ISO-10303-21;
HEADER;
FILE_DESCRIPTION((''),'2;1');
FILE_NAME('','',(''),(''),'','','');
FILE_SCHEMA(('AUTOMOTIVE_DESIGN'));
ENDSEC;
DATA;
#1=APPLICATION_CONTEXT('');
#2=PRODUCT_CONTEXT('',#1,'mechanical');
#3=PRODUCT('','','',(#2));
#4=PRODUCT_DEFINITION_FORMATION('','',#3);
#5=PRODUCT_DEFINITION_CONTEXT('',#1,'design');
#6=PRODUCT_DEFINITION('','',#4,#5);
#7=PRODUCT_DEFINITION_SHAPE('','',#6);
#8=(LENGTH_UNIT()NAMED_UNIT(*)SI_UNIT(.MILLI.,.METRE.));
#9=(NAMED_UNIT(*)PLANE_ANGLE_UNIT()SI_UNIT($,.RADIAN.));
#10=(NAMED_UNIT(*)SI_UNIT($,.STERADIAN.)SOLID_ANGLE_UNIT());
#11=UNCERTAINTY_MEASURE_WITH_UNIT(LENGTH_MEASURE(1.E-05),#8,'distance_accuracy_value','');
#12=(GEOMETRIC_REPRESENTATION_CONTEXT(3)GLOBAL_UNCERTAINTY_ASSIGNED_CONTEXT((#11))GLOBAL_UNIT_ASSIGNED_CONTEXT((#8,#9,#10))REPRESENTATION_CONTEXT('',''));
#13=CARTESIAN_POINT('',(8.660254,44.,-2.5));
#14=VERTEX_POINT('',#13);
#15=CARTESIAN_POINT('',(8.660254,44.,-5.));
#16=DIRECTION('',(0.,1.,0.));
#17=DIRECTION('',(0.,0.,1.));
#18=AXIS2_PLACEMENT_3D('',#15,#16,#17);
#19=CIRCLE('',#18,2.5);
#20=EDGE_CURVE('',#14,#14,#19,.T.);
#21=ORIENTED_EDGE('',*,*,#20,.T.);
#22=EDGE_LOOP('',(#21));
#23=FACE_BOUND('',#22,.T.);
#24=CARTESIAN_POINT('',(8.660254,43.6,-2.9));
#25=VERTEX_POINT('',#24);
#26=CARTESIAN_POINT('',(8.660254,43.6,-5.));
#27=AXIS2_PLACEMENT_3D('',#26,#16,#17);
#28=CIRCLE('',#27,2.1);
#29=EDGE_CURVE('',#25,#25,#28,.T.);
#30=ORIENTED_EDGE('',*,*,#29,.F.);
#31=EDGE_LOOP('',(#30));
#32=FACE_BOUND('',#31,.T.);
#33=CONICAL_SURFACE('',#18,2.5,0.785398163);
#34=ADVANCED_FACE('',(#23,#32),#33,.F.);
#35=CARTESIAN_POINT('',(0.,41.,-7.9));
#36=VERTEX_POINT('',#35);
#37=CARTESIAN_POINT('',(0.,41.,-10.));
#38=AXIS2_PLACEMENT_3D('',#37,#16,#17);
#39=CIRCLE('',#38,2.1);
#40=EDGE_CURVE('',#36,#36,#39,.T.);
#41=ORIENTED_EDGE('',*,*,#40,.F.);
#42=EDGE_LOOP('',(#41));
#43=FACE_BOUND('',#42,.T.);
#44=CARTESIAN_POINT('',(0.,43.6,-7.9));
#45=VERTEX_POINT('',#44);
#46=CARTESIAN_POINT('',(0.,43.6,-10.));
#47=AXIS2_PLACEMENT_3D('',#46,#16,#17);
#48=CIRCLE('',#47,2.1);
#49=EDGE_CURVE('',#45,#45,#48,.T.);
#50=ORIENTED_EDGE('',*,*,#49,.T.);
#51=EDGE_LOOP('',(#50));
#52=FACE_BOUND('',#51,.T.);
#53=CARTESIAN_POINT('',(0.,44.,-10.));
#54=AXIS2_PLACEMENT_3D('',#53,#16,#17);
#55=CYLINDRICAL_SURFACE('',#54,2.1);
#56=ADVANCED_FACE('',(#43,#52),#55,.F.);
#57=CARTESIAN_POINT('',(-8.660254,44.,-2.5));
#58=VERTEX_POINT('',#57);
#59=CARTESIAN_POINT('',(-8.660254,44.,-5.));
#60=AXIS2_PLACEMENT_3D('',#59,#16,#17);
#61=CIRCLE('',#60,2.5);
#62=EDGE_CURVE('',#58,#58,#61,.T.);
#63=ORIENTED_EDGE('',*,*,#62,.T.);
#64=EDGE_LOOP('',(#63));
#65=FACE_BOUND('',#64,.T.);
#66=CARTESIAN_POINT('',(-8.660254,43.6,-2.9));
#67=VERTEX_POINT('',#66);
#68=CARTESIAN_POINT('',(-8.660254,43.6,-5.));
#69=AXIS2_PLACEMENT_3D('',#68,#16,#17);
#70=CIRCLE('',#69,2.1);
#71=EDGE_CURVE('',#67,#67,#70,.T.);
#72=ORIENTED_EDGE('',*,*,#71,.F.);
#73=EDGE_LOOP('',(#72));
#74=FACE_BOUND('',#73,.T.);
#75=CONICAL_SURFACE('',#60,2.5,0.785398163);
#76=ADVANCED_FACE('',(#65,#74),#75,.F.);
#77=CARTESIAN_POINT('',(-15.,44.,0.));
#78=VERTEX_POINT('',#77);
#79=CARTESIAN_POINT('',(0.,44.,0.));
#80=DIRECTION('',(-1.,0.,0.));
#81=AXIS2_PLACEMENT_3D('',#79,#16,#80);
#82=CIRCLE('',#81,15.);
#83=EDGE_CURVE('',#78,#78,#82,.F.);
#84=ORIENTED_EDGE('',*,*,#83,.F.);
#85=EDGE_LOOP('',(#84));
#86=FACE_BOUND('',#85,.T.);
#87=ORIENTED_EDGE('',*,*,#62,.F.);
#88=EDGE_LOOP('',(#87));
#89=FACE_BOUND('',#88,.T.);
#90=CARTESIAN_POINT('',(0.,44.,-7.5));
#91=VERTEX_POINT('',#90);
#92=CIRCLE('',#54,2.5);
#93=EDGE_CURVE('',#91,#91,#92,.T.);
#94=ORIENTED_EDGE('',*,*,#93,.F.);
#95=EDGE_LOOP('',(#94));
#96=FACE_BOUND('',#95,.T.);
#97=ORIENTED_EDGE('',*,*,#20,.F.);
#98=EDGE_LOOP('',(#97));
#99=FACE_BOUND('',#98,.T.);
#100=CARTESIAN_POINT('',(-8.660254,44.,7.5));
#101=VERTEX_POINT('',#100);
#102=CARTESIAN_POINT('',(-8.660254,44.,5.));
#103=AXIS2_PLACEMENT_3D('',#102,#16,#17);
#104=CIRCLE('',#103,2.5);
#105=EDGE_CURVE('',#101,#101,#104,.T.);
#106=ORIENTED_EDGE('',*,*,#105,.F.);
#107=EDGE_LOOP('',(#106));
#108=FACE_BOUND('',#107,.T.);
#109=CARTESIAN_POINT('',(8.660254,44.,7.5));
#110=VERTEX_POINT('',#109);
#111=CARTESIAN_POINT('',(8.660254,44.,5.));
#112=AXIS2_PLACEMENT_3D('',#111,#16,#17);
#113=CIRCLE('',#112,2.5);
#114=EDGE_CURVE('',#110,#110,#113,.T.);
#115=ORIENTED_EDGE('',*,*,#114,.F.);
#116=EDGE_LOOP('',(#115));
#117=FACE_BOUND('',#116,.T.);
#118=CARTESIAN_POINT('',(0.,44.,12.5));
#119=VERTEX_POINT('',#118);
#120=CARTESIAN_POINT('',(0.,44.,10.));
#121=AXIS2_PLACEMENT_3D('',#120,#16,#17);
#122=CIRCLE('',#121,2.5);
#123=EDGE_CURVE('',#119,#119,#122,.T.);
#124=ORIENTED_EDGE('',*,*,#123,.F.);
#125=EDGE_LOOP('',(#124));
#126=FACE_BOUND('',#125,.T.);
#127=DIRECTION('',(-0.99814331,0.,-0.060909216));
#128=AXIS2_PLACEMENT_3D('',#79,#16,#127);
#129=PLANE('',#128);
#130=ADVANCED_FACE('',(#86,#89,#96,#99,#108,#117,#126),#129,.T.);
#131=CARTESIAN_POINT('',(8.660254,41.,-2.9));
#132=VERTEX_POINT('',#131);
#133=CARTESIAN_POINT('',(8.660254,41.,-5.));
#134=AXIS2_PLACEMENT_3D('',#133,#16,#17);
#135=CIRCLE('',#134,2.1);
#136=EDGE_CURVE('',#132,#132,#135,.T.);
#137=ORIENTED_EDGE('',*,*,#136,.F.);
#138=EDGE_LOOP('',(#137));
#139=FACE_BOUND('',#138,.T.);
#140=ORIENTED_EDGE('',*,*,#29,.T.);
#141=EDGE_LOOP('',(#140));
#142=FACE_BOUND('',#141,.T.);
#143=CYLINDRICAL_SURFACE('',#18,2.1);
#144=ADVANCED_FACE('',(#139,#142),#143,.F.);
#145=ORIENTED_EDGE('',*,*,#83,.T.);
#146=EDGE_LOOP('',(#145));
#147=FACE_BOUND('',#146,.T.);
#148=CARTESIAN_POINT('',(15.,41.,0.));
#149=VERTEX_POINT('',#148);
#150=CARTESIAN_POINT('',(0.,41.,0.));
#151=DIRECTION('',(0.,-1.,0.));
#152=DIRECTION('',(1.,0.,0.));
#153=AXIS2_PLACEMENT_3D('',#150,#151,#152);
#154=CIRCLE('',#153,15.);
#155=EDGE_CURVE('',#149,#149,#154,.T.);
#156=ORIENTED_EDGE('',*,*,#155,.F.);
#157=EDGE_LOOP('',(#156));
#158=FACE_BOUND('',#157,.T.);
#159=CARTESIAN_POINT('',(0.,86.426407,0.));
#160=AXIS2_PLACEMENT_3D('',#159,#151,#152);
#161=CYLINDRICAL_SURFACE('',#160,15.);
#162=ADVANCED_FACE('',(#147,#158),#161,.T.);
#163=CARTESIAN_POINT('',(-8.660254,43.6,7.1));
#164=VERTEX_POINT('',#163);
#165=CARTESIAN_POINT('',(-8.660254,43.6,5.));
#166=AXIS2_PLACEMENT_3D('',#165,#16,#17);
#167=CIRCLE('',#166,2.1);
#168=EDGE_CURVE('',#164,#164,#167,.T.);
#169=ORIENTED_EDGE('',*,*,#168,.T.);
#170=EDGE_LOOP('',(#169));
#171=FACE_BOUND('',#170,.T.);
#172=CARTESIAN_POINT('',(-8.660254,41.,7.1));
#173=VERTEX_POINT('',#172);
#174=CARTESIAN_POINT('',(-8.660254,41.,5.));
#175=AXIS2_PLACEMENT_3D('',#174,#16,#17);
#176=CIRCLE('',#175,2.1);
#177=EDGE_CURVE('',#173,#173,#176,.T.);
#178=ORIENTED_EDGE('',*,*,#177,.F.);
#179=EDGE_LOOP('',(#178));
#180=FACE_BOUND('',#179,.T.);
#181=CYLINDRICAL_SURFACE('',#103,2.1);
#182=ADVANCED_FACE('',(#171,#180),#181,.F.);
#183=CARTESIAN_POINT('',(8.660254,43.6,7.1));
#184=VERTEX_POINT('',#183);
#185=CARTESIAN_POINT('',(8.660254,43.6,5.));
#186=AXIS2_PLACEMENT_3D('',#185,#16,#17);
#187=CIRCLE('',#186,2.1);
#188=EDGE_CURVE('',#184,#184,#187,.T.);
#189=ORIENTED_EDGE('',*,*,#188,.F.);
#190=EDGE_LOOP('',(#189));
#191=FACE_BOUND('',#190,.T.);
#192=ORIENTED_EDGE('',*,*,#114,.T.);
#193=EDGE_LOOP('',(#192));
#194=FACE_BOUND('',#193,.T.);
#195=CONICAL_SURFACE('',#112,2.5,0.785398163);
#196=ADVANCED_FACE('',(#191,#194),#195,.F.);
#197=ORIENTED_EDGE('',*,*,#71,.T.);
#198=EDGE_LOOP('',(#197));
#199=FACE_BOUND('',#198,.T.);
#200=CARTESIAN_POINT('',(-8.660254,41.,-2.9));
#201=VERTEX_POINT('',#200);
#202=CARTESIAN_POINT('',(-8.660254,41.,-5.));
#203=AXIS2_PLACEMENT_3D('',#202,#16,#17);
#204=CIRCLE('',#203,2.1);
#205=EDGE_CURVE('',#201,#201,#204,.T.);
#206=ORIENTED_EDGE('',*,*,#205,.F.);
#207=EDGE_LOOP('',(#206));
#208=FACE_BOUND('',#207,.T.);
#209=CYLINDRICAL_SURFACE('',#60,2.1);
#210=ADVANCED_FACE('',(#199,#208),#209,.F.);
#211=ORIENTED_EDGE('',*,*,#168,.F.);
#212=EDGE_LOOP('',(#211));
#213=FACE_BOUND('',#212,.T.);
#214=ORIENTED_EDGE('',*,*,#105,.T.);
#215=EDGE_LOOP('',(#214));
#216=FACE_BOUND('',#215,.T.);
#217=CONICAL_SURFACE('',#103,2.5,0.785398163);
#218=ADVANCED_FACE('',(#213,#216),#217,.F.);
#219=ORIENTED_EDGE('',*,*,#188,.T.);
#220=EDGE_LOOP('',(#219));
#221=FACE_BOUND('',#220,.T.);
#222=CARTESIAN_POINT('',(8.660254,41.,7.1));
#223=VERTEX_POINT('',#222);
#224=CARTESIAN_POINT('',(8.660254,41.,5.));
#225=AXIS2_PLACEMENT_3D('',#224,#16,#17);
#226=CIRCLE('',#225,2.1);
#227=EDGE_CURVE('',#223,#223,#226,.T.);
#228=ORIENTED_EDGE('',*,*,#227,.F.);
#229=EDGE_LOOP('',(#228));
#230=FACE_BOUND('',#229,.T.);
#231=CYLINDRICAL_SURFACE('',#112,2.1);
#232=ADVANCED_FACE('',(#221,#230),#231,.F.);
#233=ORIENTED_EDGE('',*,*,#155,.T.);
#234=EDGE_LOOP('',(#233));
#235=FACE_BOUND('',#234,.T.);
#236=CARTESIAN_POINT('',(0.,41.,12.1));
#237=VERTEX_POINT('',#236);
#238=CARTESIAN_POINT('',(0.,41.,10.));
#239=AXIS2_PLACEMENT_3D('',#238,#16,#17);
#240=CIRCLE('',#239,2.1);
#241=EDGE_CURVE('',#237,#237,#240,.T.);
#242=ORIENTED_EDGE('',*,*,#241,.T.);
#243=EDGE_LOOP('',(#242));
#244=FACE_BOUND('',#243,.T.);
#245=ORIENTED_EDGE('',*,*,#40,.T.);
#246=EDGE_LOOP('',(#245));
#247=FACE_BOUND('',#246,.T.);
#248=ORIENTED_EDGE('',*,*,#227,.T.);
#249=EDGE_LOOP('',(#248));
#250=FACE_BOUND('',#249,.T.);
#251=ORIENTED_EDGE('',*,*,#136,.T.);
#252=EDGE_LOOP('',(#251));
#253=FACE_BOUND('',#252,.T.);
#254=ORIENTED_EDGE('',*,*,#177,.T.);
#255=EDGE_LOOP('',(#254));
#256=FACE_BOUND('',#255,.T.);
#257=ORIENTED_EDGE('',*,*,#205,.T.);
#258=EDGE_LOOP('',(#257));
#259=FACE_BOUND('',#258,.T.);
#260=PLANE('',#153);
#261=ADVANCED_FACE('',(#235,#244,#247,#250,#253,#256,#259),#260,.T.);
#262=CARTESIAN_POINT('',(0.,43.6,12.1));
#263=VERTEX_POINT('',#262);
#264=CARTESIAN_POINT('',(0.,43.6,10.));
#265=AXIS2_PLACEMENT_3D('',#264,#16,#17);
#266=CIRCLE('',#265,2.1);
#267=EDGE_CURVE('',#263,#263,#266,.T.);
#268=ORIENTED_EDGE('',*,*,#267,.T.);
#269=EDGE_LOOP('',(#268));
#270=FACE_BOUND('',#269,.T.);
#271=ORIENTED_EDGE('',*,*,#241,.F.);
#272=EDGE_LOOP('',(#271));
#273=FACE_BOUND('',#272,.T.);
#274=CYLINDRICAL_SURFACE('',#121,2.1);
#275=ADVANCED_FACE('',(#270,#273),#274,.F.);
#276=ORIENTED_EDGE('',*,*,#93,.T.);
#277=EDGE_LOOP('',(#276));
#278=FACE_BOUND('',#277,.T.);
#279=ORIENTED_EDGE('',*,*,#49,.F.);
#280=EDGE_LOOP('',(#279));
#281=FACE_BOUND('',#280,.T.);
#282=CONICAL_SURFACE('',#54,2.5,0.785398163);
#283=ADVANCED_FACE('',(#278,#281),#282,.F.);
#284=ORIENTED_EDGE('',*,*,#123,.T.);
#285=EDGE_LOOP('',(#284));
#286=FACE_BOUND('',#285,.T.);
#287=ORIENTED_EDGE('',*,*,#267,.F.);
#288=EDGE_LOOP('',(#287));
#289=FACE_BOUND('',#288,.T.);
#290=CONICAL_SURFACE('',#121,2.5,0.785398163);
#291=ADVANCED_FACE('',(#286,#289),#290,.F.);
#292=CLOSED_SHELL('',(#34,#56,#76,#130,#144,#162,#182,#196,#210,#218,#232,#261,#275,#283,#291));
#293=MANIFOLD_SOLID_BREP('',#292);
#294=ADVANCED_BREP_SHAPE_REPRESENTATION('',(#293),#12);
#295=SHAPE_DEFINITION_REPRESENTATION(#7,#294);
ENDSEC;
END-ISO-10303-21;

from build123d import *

# Parameters (mm, degrees)
SKETCH_1_R                  = 15
EXTRUDE_1_DEPTH             = 3
HOLE_WIZARD_M41_D           = 4.2
HOLE_WIZARD_M41_CSINK_D     = 5
HOLE_WIZARD_M41_CSINK_ANGLE = 90


with BuildPart() as part:
    # Эскиз1 → Бобышка-Вытянуть1 (new body)
    with BuildSketch(Plane.XZ.offset(-41)):
        Circle(SKETCH_1_R)
    extrude(amount=-EXTRUDE_1_DEPTH)

    # Сверло под метчик  спиральное M41 (through all)
    with Locations(Plane(origin=(0, 44, 0), x_dir=(1, 0, 0), z_dir=(0, 1, 0))):
        with Locations((-8.660254038, 5), (0, 10), (8.660254038, 5), (8.660254038, -5), (0, -10), (-8.660254038, -5)):
            CounterSinkHole(HOLE_WIZARD_M41_D / 2, HOLE_WIZARD_M41_CSINK_D / 2, counter_sink_angle=HOLE_WIZARD_M41_CSINK_ANGLE)


solid = part.part
